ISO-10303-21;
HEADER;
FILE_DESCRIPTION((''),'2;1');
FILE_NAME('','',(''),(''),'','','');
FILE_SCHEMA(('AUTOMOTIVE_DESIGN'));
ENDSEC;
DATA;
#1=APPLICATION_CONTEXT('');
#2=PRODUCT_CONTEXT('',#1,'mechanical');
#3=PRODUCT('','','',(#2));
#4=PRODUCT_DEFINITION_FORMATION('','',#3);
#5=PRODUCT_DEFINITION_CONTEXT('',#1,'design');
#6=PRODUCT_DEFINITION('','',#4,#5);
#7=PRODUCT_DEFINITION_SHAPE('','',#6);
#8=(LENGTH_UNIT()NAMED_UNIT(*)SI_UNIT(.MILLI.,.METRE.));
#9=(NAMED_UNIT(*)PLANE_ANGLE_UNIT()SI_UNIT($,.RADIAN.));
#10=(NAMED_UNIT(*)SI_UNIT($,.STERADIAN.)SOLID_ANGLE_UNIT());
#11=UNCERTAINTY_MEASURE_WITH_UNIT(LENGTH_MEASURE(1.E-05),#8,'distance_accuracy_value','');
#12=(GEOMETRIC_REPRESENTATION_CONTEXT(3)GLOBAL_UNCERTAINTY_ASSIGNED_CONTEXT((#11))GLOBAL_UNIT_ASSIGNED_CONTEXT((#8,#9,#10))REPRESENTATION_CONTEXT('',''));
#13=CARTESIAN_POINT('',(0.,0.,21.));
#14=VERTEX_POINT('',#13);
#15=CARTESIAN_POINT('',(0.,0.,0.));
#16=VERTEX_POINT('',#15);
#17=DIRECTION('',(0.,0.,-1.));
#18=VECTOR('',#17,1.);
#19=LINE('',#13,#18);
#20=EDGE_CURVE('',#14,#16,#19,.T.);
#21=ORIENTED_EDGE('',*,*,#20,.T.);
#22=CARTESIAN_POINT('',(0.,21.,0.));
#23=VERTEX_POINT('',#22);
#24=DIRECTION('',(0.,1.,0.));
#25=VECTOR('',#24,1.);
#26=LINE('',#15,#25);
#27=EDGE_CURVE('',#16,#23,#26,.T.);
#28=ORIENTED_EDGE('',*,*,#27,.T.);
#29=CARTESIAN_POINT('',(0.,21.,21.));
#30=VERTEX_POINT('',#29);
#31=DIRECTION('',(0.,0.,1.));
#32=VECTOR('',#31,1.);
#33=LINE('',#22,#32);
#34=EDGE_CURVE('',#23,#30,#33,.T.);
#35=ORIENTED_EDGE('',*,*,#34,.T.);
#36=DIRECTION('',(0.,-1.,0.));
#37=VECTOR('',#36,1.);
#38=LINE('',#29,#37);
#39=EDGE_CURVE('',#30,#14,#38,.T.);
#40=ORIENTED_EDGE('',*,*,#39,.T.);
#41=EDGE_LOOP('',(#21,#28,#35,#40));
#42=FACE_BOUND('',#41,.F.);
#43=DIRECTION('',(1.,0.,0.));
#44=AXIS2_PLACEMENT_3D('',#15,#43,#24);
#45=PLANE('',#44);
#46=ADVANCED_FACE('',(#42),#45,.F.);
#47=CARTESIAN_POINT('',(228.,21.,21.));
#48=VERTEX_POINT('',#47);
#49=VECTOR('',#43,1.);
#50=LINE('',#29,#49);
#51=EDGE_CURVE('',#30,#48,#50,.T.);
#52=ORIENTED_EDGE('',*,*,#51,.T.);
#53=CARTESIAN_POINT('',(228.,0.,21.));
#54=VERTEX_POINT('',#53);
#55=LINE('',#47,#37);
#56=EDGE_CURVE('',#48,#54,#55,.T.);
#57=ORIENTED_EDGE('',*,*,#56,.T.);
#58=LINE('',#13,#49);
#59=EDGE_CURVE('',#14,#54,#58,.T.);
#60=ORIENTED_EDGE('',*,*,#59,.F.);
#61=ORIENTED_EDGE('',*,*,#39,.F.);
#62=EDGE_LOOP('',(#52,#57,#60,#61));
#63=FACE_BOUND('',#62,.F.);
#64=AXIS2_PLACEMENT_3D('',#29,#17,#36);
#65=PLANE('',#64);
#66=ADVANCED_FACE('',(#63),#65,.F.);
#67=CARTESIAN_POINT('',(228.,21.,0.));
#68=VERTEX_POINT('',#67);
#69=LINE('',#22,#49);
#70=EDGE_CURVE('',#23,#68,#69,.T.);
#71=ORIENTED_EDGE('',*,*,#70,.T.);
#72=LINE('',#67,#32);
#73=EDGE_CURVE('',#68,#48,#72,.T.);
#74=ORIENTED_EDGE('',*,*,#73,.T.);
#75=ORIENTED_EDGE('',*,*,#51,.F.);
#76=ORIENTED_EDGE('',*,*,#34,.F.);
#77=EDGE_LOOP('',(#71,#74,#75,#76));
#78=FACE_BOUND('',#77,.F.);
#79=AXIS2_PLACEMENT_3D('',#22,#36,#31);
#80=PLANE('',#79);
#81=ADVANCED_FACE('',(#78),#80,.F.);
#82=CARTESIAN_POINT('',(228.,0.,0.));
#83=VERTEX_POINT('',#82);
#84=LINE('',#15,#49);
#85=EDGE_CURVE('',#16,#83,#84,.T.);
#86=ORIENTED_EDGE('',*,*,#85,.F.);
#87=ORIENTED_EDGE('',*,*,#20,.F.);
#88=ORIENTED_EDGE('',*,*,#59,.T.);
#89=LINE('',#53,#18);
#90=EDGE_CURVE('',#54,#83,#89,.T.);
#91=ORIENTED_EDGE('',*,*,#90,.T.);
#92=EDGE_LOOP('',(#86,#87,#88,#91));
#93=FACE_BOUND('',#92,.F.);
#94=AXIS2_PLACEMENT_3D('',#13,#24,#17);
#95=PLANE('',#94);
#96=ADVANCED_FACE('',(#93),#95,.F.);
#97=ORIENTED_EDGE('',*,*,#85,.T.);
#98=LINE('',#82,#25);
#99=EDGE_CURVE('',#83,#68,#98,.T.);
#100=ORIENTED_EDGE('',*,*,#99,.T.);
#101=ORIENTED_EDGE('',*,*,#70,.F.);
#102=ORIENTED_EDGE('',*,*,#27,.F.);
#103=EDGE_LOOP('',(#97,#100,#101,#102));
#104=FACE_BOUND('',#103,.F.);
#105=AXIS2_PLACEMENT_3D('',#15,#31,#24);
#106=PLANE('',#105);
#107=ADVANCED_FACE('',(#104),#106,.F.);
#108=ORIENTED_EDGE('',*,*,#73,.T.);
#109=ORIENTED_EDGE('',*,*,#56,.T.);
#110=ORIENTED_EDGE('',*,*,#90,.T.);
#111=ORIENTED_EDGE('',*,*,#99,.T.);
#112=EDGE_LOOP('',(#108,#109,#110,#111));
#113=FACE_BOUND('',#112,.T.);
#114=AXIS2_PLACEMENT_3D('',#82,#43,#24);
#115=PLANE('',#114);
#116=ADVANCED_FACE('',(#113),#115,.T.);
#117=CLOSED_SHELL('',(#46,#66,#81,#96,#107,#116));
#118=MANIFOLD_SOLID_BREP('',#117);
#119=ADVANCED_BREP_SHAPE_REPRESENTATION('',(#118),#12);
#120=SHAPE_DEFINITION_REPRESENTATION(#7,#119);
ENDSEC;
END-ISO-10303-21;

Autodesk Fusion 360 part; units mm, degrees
sketch "Back Panel Support Left " plane through (0, 0, 0) normal (1, 0, 0) x (0, 1, 0)
  line L0 (0, 0) -> (21, 0)
  line L1 (21, 0) -> (21, 21)
  line L2 (21, 21) -> (0, 21)
  line L3 (0, 21) -> (0, 0)
  dimension "d1" = 21
  dimension "d2" = 21
extrude "Extrude1" add sketch "Back Panel Support Left " along normal blind 228
